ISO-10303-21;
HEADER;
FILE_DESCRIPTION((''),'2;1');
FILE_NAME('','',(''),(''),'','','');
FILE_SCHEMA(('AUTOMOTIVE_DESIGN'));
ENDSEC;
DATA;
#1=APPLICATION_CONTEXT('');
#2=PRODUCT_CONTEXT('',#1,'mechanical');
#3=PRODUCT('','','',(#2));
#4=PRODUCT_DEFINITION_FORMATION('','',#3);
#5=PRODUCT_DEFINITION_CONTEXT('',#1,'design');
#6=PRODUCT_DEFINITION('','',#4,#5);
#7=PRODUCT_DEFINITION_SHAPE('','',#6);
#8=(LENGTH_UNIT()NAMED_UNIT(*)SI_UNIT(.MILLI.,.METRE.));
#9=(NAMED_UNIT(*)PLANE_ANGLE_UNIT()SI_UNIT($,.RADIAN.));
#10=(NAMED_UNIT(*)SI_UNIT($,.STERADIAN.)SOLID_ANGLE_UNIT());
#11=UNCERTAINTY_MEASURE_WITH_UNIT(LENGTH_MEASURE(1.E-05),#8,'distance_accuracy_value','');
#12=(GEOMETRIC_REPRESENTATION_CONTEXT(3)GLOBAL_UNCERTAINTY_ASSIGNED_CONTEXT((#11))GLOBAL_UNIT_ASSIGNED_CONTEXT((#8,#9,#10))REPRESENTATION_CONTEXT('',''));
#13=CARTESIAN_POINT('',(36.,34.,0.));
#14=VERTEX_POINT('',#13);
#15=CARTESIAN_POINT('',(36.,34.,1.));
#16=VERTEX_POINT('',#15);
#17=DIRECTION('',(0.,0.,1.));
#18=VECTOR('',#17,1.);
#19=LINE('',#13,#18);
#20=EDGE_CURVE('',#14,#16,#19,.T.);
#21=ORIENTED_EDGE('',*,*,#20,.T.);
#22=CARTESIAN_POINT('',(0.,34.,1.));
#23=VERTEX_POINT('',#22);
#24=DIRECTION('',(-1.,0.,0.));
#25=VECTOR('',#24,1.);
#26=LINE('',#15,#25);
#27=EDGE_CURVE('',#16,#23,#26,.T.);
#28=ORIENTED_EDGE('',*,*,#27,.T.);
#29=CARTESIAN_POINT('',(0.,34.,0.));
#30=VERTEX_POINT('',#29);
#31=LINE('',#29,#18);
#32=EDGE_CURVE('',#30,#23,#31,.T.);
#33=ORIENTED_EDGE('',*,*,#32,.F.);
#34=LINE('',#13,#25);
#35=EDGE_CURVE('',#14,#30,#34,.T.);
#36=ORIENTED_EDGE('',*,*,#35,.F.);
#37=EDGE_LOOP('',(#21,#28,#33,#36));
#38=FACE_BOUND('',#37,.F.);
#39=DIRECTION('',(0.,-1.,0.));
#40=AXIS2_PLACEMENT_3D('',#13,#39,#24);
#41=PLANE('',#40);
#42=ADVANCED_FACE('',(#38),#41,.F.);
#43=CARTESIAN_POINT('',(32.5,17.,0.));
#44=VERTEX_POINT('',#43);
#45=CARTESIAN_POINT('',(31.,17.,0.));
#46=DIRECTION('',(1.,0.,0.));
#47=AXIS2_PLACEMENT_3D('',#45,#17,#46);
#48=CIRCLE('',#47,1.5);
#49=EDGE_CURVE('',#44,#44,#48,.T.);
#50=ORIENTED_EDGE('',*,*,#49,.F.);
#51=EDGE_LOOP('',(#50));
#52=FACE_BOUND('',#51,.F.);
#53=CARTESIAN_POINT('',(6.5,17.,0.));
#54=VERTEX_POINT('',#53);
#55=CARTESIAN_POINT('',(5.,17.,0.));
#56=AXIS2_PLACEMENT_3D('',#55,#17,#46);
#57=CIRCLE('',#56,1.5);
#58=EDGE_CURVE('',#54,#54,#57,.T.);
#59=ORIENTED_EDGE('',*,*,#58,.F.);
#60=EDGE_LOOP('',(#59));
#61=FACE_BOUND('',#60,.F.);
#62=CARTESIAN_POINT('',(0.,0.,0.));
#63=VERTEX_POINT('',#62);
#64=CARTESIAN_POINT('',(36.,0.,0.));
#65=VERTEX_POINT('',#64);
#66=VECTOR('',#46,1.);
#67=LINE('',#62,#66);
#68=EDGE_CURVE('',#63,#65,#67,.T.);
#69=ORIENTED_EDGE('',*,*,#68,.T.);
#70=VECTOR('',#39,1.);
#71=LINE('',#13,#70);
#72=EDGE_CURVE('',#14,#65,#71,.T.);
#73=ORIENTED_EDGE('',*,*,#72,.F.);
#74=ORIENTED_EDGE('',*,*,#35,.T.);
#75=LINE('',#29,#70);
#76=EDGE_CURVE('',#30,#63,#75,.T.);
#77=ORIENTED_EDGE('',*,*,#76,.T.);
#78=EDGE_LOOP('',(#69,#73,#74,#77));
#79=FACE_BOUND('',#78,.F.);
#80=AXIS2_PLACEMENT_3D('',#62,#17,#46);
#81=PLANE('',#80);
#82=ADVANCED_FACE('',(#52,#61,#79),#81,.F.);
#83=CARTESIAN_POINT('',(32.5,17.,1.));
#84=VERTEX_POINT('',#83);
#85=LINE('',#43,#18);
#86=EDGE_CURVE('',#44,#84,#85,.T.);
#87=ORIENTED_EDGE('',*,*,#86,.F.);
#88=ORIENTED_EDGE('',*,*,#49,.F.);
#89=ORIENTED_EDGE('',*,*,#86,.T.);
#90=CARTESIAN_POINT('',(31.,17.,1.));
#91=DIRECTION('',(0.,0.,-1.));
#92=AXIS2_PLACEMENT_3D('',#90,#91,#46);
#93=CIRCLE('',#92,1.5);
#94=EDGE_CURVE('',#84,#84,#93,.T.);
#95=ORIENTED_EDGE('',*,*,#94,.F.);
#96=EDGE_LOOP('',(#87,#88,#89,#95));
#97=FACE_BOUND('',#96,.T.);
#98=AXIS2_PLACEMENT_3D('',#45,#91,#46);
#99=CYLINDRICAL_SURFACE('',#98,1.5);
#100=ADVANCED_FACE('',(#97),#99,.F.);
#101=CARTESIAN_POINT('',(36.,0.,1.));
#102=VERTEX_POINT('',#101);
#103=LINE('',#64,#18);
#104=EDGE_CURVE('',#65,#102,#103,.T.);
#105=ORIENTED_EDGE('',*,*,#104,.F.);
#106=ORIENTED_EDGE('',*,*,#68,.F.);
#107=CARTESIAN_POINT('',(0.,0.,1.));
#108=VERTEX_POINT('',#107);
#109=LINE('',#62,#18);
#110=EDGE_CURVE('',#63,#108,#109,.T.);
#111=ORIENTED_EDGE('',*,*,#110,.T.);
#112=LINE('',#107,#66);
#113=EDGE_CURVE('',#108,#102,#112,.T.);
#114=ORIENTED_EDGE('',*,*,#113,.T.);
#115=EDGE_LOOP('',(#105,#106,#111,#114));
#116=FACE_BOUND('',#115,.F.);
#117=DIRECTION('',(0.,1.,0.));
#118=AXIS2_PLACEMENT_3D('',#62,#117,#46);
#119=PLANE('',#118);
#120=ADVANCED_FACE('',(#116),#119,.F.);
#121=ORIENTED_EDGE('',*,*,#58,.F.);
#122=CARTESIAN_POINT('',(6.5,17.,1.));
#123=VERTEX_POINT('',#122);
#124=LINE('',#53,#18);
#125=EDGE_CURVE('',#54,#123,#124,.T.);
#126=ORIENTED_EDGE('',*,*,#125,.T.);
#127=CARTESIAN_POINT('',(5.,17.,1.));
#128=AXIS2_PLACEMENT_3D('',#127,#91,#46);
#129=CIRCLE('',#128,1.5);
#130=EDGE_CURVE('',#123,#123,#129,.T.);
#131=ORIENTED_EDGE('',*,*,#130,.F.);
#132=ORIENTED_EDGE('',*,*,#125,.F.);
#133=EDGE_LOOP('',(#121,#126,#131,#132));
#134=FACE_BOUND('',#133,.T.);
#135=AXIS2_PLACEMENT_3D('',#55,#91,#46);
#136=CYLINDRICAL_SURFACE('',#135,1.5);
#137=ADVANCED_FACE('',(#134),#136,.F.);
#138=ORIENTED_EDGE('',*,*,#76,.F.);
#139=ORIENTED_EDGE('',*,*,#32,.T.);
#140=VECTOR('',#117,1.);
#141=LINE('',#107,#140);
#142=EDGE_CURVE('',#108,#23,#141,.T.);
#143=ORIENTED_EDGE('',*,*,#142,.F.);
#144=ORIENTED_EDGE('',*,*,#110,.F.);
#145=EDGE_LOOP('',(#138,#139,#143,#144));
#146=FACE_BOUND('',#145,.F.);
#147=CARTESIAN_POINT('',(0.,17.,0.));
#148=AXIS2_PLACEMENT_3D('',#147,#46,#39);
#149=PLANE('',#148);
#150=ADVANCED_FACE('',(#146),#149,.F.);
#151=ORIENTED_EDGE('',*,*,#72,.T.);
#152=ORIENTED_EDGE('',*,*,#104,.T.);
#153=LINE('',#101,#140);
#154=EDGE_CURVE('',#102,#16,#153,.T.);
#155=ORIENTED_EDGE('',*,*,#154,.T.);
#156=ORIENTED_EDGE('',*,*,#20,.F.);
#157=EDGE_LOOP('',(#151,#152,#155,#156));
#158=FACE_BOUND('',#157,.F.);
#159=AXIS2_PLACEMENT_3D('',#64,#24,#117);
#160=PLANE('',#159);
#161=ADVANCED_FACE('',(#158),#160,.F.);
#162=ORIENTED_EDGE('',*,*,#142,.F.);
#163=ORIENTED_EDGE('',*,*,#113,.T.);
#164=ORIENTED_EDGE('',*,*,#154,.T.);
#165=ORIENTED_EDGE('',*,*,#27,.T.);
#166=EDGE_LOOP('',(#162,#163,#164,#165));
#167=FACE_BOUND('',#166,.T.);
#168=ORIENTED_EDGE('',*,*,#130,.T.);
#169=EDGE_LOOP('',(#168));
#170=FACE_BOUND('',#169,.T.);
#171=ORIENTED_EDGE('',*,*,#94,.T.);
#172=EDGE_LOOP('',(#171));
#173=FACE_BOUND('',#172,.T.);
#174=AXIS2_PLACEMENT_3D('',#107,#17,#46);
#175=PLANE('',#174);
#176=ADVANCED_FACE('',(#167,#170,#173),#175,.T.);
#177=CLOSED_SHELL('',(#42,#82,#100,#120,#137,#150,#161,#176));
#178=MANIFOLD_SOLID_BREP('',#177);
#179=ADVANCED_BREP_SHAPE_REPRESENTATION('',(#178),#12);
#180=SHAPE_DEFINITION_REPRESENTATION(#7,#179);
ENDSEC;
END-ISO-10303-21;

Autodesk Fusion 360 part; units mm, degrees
sketch "スケッチ1" plane through (0, 0, 0) normal (0, 0, 1) x (1, 0, 0)
  line L0 (0, 0) -> (36, 0)
  line L1 (36, 0) -> (36, 34)
  line L2 (36, 34) -> (0, 34)
  line L3 (0, 34) -> (0, 0)
  line L4 (0, 34) -> (0, 17)
  line L5 (0, 17) -> (5, 17)
  circle A0 centre (5, 17) radius 1.5
  line L6 (5, 17) -> (31, 17)
  circle A1 centre (31, 17) radius 1.5
  line L7 (31, 17) -> (36, 17)
  dimension "d1" = 36
  dimension "d2" = 34
  dimension "d3" = 3
  dimension "d4" = 26
  dimension "d5" = 3
extrude "押し出し1" add sketch "スケッチ1" along normal blind 1 contours L0 L1 L3 L5 A0 L6 A1 L7 | L1 L2 L3 L4 L5 A0 L6 A1 L7
